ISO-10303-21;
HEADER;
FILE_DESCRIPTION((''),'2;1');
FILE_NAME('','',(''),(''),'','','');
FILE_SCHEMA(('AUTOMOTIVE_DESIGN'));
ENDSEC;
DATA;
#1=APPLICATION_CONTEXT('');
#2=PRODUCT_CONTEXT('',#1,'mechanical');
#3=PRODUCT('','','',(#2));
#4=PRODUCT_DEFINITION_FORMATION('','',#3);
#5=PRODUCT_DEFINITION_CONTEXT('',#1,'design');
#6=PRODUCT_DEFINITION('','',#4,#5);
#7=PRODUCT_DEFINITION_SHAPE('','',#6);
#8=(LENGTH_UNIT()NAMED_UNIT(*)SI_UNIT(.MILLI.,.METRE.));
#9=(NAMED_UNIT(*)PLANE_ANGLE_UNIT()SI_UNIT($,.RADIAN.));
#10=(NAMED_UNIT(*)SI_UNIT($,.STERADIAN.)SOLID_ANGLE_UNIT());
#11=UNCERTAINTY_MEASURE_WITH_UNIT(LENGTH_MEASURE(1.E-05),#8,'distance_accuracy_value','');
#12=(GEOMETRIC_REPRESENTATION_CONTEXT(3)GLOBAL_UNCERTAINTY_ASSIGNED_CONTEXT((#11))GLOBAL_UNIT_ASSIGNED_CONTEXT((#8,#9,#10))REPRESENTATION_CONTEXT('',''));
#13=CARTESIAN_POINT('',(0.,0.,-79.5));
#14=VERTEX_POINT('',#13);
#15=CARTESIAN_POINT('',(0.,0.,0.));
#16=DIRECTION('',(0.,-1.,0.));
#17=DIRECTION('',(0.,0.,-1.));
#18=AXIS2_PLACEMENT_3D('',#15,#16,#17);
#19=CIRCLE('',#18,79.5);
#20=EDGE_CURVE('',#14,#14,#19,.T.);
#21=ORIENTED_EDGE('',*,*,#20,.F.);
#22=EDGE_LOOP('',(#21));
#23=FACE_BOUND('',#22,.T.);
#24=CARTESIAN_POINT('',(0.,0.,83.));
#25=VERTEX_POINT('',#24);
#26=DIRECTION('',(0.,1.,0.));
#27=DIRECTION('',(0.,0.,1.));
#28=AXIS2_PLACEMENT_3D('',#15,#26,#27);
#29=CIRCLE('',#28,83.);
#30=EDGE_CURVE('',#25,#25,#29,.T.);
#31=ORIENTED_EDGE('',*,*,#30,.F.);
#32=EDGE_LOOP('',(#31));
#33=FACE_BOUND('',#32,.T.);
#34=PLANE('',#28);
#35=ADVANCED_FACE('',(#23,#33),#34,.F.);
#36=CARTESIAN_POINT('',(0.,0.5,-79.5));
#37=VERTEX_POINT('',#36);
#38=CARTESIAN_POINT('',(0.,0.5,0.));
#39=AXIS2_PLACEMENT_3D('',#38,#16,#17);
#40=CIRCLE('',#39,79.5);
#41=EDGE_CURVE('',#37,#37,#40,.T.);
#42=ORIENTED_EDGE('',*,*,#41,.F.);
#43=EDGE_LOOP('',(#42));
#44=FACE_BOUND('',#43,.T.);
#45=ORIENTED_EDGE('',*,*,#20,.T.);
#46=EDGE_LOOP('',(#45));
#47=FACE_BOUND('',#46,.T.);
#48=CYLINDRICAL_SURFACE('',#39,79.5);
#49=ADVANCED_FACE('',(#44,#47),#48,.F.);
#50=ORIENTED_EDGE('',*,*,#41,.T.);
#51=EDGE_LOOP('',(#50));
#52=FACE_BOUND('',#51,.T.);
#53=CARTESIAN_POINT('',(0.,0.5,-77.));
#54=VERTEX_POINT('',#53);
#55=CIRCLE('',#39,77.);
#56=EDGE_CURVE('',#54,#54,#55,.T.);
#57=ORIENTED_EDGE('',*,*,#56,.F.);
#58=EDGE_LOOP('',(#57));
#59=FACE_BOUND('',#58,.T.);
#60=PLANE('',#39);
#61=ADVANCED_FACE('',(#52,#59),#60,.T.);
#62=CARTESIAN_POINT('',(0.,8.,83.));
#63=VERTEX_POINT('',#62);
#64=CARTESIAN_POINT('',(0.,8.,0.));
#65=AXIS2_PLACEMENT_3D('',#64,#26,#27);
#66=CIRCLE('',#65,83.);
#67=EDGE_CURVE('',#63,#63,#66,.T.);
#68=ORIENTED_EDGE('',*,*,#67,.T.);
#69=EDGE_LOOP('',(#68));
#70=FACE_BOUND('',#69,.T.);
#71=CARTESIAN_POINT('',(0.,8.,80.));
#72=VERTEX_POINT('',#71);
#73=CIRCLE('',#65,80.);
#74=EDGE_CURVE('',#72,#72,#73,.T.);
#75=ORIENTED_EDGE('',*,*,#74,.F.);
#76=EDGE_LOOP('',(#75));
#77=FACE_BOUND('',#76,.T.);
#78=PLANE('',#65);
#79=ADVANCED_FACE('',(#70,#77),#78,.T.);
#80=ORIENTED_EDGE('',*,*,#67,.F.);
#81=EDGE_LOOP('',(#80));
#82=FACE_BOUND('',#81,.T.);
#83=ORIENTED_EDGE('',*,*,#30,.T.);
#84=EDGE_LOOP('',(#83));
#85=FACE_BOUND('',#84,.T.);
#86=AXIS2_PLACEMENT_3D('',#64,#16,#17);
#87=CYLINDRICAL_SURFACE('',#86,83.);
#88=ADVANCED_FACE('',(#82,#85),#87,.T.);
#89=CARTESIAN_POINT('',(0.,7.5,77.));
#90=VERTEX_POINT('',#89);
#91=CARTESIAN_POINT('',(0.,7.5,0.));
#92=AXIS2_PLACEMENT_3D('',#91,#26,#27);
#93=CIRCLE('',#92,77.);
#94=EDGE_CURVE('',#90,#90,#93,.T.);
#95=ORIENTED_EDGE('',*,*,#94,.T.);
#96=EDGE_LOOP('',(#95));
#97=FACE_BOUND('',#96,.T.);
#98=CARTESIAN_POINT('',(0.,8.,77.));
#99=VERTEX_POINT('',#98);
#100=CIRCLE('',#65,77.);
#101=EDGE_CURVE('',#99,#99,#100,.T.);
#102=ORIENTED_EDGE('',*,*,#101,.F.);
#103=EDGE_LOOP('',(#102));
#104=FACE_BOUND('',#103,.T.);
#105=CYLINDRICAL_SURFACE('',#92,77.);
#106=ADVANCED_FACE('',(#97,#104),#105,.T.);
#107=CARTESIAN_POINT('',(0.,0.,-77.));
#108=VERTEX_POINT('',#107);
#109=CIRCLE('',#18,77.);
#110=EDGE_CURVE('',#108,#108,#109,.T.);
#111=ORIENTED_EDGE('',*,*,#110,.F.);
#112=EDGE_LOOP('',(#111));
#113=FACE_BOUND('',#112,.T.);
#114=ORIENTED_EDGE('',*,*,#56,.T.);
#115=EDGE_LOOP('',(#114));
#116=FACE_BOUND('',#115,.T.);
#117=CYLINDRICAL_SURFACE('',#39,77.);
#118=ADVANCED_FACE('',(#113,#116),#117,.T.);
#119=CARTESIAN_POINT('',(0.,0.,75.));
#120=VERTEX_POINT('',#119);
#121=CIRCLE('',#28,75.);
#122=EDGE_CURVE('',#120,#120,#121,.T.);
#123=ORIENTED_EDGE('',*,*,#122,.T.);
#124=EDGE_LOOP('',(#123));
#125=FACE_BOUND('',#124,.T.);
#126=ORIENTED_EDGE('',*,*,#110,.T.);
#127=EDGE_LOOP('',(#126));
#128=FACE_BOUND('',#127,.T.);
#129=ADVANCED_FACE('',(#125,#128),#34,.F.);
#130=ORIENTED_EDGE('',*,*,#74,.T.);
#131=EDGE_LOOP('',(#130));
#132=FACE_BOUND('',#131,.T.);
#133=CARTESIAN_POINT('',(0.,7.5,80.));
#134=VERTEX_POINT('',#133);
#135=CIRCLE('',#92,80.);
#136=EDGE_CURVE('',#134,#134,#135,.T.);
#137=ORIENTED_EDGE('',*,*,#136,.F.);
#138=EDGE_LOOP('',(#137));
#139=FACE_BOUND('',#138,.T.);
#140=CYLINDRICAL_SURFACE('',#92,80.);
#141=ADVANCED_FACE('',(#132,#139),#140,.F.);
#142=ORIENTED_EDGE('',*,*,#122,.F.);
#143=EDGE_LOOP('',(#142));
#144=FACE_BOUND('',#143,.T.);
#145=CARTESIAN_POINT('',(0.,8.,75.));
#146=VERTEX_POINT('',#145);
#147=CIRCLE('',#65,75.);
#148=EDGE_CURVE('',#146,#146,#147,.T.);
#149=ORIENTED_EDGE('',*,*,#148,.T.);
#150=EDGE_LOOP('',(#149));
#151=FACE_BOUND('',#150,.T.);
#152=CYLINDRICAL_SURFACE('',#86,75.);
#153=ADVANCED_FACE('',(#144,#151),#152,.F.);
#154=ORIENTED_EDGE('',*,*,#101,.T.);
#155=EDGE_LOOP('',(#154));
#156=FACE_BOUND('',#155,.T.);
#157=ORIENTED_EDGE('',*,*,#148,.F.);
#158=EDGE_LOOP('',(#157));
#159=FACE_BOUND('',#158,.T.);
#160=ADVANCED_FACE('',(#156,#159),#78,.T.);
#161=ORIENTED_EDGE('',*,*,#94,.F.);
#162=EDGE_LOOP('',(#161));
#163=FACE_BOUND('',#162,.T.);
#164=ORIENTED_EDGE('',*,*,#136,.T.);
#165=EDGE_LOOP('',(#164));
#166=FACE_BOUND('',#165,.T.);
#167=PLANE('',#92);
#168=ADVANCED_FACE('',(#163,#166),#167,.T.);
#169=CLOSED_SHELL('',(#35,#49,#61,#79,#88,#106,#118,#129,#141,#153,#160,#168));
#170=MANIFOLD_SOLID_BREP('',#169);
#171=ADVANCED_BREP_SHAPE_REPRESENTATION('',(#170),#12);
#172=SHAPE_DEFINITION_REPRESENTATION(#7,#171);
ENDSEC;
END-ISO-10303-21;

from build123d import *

# Parameters (mm, degrees)
SKETCH_1_R          = 83
SKETCH_1_R_2        = 75
EXTRUDE_1_DEPTH     = 8
SKETCH_2_R          = 80
SKETCH_2_R_2        = 77
CUT_EXTRUDE_1_DEPTH = 0.5
SKETCH_3_R          = 79.5
SKETCH_3_R_2        = 77
CUT_EXTRUDE_2_DEPTH = 0.5


with BuildPart() as part:
    # 草图1 → 凸台-拉伸1 (new body)
    with BuildSketch(Plane(origin=(0, 0, 0), x_dir=(1, 0, 0), z_dir=(0, 1, 0))):
        Circle(SKETCH_1_R)
        Circle(SKETCH_1_R_2, mode=Mode.SUBTRACT)
    extrude(amount=EXTRUDE_1_DEPTH)

    # 草图2 → 切除-拉伸1 (cut)
    with BuildSketch(Plane(origin=(0, 8, 0), x_dir=(1, 0, 0), z_dir=(0, 1, 0))):
        Circle(SKETCH_2_R)
        Circle(SKETCH_2_R_2, mode=Mode.SUBTRACT)
    extrude(amount=-CUT_EXTRUDE_1_DEPTH, mode=Mode.SUBTRACT)

    # 草图3 → 切除-拉伸2 (cut)
    with BuildSketch(Plane.XZ):
        Circle(SKETCH_3_R)
        Circle(SKETCH_3_R_2, mode=Mode.SUBTRACT)
    extrude(amount=-CUT_EXTRUDE_2_DEPTH, mode=Mode.SUBTRACT)


solid = part.part
